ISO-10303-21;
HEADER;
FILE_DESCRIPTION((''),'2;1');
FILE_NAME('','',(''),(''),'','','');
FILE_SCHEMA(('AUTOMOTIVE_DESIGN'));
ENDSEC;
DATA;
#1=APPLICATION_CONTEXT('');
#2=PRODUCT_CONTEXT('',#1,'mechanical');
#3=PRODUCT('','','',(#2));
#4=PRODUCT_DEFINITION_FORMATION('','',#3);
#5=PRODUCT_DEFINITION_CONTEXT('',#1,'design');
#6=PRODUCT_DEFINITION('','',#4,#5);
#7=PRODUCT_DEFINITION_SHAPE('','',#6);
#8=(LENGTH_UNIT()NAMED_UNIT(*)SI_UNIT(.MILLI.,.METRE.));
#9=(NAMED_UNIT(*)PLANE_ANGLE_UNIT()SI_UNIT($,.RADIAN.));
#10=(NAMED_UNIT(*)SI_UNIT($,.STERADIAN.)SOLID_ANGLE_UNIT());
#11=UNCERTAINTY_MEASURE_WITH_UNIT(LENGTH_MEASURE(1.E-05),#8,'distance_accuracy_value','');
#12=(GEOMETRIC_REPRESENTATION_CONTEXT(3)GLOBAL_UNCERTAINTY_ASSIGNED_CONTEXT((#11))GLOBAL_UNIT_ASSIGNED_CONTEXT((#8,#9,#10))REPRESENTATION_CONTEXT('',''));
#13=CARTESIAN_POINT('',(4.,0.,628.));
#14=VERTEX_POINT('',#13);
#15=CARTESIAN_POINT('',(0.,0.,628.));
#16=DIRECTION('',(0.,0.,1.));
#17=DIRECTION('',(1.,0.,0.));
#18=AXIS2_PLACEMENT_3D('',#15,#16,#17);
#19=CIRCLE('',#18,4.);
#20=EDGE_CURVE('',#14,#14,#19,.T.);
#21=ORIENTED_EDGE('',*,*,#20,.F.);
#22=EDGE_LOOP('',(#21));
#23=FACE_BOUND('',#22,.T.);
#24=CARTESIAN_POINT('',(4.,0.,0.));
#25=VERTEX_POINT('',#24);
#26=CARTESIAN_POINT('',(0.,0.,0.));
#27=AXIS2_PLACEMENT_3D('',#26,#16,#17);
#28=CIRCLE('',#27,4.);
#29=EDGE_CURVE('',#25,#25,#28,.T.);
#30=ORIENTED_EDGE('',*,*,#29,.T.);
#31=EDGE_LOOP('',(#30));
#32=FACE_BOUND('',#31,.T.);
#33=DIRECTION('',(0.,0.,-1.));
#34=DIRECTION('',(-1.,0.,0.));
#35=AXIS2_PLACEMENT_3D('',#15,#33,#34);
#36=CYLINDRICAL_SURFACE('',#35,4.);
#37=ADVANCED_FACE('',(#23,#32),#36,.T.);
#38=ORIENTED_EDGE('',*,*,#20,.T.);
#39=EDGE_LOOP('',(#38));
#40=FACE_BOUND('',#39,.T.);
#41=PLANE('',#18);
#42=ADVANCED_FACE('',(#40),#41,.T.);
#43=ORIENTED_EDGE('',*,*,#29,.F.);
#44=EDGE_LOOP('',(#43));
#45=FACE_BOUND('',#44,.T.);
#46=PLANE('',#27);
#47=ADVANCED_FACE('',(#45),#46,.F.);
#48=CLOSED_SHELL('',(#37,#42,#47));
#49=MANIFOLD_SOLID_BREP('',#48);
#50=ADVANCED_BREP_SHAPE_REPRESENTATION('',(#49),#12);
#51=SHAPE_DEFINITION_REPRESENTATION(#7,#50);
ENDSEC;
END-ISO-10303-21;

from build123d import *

# Parameters (mm, degrees)
ESQUISSE1_R        = 4
BOSS_EXTRU_1_DEPTH = 628


with BuildPart() as part:
    # Esquisse1 → Boss.-Extru.1 (new body)
    with BuildSketch(Plane.XY):
        Circle(ESQUISSE1_R)
    extrude(amount=BOSS_EXTRU_1_DEPTH)


solid = part.part
